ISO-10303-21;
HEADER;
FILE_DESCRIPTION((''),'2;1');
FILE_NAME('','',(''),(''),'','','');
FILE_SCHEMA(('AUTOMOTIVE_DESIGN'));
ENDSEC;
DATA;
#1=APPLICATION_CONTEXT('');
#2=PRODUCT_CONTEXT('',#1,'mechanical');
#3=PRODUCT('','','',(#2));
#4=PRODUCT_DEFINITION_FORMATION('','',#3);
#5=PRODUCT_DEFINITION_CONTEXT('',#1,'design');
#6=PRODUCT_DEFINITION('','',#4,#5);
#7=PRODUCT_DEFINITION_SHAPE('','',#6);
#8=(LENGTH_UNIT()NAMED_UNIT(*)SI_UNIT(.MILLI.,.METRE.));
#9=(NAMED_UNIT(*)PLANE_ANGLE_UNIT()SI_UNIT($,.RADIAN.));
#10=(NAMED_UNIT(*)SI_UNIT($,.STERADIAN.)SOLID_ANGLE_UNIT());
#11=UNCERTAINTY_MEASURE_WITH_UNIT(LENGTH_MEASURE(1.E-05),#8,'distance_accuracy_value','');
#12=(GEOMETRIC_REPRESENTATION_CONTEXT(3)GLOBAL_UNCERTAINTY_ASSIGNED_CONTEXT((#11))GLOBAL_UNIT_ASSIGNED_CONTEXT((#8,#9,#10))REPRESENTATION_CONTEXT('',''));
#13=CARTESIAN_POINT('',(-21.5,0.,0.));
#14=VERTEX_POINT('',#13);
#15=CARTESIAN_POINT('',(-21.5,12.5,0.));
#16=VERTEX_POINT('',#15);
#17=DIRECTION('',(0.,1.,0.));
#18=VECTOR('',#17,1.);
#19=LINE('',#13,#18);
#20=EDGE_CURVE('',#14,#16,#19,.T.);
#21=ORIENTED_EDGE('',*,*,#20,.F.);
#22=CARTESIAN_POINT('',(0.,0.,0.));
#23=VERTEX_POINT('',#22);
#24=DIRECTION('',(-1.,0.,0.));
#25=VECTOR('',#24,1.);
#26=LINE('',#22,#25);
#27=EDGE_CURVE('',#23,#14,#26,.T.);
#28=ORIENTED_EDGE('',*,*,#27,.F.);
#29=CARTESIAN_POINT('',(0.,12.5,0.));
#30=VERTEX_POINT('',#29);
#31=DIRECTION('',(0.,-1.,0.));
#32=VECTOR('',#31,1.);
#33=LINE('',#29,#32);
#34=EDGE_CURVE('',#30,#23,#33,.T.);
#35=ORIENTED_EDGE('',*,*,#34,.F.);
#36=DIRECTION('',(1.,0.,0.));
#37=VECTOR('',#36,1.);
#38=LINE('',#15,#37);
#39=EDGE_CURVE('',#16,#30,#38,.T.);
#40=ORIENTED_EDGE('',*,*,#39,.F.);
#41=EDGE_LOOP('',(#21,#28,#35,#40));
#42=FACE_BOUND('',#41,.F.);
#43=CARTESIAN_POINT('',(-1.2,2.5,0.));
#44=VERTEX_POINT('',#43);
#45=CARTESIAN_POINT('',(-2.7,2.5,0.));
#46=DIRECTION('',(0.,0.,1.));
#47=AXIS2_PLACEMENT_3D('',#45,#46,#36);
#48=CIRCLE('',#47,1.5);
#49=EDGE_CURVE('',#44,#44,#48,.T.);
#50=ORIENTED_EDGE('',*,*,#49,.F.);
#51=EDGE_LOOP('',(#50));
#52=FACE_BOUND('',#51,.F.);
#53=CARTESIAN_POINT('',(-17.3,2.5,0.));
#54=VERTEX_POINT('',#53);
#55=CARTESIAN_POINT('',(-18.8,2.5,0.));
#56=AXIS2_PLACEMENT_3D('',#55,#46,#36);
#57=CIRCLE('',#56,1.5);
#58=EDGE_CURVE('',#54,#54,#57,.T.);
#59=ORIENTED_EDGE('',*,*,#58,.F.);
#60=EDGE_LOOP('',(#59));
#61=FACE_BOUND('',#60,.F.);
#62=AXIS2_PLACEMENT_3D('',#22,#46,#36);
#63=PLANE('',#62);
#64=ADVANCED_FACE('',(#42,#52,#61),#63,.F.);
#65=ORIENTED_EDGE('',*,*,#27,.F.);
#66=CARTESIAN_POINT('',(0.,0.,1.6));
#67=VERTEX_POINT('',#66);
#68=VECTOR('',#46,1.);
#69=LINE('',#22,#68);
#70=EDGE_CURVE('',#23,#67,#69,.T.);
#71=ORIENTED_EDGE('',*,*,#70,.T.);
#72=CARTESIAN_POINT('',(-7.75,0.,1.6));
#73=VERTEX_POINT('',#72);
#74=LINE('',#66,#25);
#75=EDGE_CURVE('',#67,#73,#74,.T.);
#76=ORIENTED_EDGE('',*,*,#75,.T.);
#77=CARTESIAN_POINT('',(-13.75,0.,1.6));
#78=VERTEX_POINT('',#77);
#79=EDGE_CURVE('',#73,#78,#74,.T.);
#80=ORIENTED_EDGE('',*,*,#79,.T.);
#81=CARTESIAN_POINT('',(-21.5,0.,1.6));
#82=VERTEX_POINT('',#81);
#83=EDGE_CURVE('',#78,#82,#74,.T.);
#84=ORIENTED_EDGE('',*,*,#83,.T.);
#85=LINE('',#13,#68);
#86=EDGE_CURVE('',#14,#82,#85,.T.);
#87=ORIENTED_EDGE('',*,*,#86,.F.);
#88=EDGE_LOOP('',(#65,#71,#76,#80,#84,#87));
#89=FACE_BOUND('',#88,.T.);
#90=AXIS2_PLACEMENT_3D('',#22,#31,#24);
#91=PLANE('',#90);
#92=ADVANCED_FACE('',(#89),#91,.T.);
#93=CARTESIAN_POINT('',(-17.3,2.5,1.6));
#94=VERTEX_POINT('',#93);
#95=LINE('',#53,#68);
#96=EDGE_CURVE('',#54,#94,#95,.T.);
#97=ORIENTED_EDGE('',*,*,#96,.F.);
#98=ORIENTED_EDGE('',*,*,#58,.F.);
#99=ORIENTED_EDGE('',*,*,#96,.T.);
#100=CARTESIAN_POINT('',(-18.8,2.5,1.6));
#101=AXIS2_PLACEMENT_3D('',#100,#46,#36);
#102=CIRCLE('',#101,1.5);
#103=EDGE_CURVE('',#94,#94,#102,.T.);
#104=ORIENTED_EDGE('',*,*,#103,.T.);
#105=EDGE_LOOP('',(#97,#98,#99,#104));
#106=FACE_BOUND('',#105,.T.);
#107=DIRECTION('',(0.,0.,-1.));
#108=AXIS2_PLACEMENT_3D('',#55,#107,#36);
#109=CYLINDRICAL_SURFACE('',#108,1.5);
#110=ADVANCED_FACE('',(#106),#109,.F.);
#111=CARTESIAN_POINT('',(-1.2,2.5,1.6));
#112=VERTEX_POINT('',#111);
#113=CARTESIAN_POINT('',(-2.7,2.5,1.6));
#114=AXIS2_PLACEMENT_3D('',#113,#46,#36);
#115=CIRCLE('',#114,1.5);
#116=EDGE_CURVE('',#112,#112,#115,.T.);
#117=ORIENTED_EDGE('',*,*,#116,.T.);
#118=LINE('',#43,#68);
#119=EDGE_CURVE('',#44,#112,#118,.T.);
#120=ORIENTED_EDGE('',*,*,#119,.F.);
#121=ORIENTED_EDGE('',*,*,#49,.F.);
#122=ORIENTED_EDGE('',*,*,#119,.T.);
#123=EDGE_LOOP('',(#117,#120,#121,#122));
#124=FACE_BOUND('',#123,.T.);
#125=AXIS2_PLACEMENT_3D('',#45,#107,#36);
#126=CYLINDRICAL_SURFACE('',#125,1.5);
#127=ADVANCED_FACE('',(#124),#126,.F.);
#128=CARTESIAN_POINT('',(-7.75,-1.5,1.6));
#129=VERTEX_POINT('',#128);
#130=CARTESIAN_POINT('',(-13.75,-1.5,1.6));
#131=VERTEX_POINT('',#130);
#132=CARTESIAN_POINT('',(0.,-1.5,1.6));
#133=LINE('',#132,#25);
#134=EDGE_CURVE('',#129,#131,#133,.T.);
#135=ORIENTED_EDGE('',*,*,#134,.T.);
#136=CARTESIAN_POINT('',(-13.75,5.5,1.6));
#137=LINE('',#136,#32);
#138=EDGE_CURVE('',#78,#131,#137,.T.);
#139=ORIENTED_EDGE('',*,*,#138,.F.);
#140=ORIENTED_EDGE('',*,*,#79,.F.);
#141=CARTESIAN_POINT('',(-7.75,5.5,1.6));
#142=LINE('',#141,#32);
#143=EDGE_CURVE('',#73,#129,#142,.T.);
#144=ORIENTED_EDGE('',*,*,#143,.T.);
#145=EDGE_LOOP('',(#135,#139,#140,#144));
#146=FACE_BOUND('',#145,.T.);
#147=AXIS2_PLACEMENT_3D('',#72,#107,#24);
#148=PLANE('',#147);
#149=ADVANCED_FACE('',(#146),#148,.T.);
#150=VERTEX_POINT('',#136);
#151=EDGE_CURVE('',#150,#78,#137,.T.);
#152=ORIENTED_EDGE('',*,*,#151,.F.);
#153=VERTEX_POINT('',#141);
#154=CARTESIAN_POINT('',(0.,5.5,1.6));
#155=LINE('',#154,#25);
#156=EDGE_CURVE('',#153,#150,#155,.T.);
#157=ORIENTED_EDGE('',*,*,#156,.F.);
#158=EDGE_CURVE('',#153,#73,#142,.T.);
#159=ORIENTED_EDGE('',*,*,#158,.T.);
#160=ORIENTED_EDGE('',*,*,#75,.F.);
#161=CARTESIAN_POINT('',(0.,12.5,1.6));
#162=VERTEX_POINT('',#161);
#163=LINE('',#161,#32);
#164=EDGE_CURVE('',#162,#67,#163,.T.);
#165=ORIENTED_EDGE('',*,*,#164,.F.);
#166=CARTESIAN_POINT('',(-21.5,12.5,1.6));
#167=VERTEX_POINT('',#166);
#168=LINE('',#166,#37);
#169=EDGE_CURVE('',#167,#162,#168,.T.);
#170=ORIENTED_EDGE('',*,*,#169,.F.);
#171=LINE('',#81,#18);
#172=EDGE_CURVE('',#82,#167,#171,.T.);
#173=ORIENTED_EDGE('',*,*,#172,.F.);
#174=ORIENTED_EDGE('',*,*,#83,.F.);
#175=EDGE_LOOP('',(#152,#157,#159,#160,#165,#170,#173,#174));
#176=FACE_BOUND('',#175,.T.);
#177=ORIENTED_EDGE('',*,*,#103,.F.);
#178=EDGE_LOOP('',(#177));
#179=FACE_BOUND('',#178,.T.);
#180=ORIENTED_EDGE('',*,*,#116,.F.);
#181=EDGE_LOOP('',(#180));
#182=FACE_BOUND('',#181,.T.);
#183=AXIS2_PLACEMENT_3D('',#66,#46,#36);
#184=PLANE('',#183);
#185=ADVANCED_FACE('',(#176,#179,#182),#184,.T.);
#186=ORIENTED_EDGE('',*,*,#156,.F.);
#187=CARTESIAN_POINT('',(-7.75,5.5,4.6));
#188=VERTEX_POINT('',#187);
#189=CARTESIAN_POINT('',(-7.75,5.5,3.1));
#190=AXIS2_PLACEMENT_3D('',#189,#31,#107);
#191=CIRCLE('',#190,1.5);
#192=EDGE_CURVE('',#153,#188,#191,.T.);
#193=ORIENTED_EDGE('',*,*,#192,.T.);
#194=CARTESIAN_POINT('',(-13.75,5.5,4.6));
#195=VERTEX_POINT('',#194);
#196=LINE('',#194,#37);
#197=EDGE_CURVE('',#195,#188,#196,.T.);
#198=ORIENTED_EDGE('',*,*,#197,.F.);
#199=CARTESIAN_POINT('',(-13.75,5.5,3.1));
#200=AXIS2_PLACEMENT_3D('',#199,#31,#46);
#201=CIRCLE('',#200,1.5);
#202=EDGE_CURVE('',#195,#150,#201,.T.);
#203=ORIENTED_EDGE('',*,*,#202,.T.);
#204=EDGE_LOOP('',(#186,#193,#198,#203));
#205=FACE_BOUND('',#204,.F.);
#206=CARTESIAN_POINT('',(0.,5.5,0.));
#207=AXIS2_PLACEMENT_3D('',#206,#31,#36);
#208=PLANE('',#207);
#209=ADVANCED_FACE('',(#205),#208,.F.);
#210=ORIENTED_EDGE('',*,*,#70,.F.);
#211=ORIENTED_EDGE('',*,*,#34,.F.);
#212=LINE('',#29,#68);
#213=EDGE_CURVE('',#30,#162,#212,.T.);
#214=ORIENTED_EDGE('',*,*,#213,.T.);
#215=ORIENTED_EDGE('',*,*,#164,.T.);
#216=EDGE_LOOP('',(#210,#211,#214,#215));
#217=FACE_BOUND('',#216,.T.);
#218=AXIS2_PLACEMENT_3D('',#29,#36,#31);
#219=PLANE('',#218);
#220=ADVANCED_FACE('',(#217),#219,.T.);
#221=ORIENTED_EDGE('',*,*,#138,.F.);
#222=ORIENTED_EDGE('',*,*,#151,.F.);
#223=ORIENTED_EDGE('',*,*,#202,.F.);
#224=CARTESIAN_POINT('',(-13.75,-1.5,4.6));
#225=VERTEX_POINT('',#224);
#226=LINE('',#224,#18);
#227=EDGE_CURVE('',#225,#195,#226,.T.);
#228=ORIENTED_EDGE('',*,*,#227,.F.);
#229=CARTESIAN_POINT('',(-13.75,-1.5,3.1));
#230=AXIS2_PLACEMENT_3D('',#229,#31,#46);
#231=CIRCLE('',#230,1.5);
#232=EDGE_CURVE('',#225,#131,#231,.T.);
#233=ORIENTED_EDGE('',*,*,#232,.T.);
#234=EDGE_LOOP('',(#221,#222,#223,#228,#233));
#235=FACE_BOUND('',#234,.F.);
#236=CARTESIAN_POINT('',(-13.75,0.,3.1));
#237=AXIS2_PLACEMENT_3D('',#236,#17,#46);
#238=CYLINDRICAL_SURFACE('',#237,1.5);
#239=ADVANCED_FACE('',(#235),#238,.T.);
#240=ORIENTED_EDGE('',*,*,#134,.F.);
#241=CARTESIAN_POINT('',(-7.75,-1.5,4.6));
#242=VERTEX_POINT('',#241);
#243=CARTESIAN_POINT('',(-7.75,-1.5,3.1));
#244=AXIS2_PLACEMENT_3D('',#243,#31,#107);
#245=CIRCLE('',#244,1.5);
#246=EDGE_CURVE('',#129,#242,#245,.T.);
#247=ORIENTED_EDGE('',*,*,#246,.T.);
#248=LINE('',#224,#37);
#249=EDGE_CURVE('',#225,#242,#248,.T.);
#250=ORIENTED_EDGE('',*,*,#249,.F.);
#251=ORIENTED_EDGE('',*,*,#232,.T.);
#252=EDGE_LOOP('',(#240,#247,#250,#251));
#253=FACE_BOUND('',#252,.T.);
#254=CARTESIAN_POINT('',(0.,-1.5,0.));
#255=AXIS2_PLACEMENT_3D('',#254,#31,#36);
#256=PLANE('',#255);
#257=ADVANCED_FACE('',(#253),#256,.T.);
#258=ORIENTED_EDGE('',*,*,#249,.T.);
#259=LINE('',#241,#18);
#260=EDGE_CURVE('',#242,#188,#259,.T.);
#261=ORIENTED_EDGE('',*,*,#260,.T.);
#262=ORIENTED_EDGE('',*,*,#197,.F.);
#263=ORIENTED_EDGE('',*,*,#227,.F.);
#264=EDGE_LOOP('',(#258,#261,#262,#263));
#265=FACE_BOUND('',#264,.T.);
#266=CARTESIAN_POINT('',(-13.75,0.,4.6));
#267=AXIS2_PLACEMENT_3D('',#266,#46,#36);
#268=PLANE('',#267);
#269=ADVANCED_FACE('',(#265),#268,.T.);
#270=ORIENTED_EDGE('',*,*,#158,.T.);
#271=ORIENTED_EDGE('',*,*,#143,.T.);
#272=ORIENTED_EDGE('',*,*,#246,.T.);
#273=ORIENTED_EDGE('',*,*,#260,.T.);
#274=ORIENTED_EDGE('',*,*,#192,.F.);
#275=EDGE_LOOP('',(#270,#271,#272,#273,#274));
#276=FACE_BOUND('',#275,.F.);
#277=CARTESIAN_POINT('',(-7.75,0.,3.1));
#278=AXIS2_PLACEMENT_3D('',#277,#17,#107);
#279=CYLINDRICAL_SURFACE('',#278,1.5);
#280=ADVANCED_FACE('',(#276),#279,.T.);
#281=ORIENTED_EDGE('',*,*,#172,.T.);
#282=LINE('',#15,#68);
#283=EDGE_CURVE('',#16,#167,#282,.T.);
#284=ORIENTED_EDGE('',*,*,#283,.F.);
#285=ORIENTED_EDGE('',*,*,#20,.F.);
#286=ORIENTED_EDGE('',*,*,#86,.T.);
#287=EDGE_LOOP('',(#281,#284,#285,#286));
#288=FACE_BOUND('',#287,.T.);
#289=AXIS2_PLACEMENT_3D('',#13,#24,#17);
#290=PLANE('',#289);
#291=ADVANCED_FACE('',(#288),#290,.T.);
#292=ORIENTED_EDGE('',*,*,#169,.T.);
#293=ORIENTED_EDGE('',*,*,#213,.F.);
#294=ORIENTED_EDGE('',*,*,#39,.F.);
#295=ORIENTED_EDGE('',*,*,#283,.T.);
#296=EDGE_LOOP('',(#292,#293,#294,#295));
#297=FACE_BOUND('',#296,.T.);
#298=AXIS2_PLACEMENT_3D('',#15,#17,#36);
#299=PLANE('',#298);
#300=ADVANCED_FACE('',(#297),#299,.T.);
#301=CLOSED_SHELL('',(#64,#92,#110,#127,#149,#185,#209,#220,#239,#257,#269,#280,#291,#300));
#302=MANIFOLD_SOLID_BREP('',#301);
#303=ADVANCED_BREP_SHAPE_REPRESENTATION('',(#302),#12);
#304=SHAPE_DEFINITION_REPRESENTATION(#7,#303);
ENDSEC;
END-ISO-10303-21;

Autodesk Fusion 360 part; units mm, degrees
sketch "Skizze1" plane through (0, 0, 0) normal (0, 0, 1) x (1, 0, 0)
  line L0 (0, 0) -> (-21.5, 0)
  line L1 (-21.5, 0) -> (-21.5, 12.5)
  line L2 (-21.5, 12.5) -> (0, 12.5)
  line L3 (0, 12.5) -> (0, 0)
  circle A0 centre (-18.8, 2.5) radius 1.5
  circle A1 centre (-2.7, 2.5) radius 1.5
  line L4 (-21.5, 11.23) -> (0, 11.23) construction
  line L5 (-10.75, 12.5) -> (-10.75, 0) construction
  point P0 (-10.75, 11.23)
  point P1 (-17.1, 11.23)
  point P2 (-4.4, 11.23)
  dimension "d1" = 21.5
  dimension "d2" = 12.5
  dimension "d3" = 3
  dimension "d4" = 2.7
  dimension "d5" = 2.7
  dimension "d6" = 2.5
  dimension "d7" = 2.5
  dimension "d8" = 1.27
  dimension "d19" = 12.7
extrude "Extrusion1" add sketch "Skizze1" along normal blind 1.6
sketch "Skizze2" plane through (0, 0, 0) normal (0, -1, 0) x (1, 0, 0)
  line L0 (-21.5, 0) -> (0, 0)
  line L1 (0, 0) -> (0, 1.6)
  line L2 (0, 1.6) -> (-21.5, 1.6)
  line L3 (-21.5, 1.6) -> (-21.5, 0)
  line L4 (-10.75, 0) -> (-10.75, 13.6465) construction
  line L5 (-13.75, 4.6) -> (-7.75, 4.6)
  line L6 (-7.75, 1.6) -> (-13.75, 1.6)
  arc A0 (-13.75, 4.6) -> (-13.75, 1.6) centre (-13.75, 3.1) ccw
  arc A1 (-7.75, 1.6) -> (-7.75, 4.6) centre (-7.75, 3.1) ccw
  point P0 (-10.75, 1.6)
  dimension "d11" = 1.5
  dimension "d12" = 6
extrude "Extrusion2" add sketch "Skizze2" along normal blind 1.5 and the other way blind 5.5 contours L2 L5 L6 A0 A1
sketch "Skizze3" plane through (0, 0, 1.6) normal (0, 0, 1) x (-1, 0, 0)
  line L0 (7.75, -5.5) -> (7.75, 0)
  line L1 (7.75, 0) -> (0, 0)
  line L2 (0, 0) -> (0, -12.5)
  line L3 (0, -12.5) -> (21.5, -12.5)
  line L4 (21.5, -12.5) -> (21.5, 0)
  line L5 (21.5, 0) -> (13.75, 0)
  line L6 (13.75, 0) -> (13.75, -5.5)
  line L7 (13.75, -5.5) -> (7.75, -5.5)
  circle A0 centre (2.7, -2.5) radius 1.5
  circle A1 centre (18.8, -2.5) radius 1.5
  point P0 (10.75, -11.23)
  point P1 (10.75, -11.23)
  point P2 (4.4, -11.23)
  point P3 (17.1, -11.23)
ref_plane "Arbeitsebene1" through (0, 0, 5.1) normal (0, 0, 1) x (1, 0, 0)
sketch "Skizze4" plane through (0, 0, 5.1) normal (0, 0, 1) x (1, 0, 0)
  point P0 (-10.75, 11.23)
  point P1 (-10.75, 11.23)
equation "d4 = 1.2 mm + 1.5 mm"
equation "d5 = d4"
equation "d7 = d6"
equation "d8 = ( 2.54 / 2 ) * 1 mm"
equation "d12 = 9 mm - 3 mm"
equation "d15 = 7 mm - 1.5 mm"
equation "d17 = 1.6 mm + 3.5 mm"
equation "d19 = ( 5 * 2.54 ) * 1 mm"
